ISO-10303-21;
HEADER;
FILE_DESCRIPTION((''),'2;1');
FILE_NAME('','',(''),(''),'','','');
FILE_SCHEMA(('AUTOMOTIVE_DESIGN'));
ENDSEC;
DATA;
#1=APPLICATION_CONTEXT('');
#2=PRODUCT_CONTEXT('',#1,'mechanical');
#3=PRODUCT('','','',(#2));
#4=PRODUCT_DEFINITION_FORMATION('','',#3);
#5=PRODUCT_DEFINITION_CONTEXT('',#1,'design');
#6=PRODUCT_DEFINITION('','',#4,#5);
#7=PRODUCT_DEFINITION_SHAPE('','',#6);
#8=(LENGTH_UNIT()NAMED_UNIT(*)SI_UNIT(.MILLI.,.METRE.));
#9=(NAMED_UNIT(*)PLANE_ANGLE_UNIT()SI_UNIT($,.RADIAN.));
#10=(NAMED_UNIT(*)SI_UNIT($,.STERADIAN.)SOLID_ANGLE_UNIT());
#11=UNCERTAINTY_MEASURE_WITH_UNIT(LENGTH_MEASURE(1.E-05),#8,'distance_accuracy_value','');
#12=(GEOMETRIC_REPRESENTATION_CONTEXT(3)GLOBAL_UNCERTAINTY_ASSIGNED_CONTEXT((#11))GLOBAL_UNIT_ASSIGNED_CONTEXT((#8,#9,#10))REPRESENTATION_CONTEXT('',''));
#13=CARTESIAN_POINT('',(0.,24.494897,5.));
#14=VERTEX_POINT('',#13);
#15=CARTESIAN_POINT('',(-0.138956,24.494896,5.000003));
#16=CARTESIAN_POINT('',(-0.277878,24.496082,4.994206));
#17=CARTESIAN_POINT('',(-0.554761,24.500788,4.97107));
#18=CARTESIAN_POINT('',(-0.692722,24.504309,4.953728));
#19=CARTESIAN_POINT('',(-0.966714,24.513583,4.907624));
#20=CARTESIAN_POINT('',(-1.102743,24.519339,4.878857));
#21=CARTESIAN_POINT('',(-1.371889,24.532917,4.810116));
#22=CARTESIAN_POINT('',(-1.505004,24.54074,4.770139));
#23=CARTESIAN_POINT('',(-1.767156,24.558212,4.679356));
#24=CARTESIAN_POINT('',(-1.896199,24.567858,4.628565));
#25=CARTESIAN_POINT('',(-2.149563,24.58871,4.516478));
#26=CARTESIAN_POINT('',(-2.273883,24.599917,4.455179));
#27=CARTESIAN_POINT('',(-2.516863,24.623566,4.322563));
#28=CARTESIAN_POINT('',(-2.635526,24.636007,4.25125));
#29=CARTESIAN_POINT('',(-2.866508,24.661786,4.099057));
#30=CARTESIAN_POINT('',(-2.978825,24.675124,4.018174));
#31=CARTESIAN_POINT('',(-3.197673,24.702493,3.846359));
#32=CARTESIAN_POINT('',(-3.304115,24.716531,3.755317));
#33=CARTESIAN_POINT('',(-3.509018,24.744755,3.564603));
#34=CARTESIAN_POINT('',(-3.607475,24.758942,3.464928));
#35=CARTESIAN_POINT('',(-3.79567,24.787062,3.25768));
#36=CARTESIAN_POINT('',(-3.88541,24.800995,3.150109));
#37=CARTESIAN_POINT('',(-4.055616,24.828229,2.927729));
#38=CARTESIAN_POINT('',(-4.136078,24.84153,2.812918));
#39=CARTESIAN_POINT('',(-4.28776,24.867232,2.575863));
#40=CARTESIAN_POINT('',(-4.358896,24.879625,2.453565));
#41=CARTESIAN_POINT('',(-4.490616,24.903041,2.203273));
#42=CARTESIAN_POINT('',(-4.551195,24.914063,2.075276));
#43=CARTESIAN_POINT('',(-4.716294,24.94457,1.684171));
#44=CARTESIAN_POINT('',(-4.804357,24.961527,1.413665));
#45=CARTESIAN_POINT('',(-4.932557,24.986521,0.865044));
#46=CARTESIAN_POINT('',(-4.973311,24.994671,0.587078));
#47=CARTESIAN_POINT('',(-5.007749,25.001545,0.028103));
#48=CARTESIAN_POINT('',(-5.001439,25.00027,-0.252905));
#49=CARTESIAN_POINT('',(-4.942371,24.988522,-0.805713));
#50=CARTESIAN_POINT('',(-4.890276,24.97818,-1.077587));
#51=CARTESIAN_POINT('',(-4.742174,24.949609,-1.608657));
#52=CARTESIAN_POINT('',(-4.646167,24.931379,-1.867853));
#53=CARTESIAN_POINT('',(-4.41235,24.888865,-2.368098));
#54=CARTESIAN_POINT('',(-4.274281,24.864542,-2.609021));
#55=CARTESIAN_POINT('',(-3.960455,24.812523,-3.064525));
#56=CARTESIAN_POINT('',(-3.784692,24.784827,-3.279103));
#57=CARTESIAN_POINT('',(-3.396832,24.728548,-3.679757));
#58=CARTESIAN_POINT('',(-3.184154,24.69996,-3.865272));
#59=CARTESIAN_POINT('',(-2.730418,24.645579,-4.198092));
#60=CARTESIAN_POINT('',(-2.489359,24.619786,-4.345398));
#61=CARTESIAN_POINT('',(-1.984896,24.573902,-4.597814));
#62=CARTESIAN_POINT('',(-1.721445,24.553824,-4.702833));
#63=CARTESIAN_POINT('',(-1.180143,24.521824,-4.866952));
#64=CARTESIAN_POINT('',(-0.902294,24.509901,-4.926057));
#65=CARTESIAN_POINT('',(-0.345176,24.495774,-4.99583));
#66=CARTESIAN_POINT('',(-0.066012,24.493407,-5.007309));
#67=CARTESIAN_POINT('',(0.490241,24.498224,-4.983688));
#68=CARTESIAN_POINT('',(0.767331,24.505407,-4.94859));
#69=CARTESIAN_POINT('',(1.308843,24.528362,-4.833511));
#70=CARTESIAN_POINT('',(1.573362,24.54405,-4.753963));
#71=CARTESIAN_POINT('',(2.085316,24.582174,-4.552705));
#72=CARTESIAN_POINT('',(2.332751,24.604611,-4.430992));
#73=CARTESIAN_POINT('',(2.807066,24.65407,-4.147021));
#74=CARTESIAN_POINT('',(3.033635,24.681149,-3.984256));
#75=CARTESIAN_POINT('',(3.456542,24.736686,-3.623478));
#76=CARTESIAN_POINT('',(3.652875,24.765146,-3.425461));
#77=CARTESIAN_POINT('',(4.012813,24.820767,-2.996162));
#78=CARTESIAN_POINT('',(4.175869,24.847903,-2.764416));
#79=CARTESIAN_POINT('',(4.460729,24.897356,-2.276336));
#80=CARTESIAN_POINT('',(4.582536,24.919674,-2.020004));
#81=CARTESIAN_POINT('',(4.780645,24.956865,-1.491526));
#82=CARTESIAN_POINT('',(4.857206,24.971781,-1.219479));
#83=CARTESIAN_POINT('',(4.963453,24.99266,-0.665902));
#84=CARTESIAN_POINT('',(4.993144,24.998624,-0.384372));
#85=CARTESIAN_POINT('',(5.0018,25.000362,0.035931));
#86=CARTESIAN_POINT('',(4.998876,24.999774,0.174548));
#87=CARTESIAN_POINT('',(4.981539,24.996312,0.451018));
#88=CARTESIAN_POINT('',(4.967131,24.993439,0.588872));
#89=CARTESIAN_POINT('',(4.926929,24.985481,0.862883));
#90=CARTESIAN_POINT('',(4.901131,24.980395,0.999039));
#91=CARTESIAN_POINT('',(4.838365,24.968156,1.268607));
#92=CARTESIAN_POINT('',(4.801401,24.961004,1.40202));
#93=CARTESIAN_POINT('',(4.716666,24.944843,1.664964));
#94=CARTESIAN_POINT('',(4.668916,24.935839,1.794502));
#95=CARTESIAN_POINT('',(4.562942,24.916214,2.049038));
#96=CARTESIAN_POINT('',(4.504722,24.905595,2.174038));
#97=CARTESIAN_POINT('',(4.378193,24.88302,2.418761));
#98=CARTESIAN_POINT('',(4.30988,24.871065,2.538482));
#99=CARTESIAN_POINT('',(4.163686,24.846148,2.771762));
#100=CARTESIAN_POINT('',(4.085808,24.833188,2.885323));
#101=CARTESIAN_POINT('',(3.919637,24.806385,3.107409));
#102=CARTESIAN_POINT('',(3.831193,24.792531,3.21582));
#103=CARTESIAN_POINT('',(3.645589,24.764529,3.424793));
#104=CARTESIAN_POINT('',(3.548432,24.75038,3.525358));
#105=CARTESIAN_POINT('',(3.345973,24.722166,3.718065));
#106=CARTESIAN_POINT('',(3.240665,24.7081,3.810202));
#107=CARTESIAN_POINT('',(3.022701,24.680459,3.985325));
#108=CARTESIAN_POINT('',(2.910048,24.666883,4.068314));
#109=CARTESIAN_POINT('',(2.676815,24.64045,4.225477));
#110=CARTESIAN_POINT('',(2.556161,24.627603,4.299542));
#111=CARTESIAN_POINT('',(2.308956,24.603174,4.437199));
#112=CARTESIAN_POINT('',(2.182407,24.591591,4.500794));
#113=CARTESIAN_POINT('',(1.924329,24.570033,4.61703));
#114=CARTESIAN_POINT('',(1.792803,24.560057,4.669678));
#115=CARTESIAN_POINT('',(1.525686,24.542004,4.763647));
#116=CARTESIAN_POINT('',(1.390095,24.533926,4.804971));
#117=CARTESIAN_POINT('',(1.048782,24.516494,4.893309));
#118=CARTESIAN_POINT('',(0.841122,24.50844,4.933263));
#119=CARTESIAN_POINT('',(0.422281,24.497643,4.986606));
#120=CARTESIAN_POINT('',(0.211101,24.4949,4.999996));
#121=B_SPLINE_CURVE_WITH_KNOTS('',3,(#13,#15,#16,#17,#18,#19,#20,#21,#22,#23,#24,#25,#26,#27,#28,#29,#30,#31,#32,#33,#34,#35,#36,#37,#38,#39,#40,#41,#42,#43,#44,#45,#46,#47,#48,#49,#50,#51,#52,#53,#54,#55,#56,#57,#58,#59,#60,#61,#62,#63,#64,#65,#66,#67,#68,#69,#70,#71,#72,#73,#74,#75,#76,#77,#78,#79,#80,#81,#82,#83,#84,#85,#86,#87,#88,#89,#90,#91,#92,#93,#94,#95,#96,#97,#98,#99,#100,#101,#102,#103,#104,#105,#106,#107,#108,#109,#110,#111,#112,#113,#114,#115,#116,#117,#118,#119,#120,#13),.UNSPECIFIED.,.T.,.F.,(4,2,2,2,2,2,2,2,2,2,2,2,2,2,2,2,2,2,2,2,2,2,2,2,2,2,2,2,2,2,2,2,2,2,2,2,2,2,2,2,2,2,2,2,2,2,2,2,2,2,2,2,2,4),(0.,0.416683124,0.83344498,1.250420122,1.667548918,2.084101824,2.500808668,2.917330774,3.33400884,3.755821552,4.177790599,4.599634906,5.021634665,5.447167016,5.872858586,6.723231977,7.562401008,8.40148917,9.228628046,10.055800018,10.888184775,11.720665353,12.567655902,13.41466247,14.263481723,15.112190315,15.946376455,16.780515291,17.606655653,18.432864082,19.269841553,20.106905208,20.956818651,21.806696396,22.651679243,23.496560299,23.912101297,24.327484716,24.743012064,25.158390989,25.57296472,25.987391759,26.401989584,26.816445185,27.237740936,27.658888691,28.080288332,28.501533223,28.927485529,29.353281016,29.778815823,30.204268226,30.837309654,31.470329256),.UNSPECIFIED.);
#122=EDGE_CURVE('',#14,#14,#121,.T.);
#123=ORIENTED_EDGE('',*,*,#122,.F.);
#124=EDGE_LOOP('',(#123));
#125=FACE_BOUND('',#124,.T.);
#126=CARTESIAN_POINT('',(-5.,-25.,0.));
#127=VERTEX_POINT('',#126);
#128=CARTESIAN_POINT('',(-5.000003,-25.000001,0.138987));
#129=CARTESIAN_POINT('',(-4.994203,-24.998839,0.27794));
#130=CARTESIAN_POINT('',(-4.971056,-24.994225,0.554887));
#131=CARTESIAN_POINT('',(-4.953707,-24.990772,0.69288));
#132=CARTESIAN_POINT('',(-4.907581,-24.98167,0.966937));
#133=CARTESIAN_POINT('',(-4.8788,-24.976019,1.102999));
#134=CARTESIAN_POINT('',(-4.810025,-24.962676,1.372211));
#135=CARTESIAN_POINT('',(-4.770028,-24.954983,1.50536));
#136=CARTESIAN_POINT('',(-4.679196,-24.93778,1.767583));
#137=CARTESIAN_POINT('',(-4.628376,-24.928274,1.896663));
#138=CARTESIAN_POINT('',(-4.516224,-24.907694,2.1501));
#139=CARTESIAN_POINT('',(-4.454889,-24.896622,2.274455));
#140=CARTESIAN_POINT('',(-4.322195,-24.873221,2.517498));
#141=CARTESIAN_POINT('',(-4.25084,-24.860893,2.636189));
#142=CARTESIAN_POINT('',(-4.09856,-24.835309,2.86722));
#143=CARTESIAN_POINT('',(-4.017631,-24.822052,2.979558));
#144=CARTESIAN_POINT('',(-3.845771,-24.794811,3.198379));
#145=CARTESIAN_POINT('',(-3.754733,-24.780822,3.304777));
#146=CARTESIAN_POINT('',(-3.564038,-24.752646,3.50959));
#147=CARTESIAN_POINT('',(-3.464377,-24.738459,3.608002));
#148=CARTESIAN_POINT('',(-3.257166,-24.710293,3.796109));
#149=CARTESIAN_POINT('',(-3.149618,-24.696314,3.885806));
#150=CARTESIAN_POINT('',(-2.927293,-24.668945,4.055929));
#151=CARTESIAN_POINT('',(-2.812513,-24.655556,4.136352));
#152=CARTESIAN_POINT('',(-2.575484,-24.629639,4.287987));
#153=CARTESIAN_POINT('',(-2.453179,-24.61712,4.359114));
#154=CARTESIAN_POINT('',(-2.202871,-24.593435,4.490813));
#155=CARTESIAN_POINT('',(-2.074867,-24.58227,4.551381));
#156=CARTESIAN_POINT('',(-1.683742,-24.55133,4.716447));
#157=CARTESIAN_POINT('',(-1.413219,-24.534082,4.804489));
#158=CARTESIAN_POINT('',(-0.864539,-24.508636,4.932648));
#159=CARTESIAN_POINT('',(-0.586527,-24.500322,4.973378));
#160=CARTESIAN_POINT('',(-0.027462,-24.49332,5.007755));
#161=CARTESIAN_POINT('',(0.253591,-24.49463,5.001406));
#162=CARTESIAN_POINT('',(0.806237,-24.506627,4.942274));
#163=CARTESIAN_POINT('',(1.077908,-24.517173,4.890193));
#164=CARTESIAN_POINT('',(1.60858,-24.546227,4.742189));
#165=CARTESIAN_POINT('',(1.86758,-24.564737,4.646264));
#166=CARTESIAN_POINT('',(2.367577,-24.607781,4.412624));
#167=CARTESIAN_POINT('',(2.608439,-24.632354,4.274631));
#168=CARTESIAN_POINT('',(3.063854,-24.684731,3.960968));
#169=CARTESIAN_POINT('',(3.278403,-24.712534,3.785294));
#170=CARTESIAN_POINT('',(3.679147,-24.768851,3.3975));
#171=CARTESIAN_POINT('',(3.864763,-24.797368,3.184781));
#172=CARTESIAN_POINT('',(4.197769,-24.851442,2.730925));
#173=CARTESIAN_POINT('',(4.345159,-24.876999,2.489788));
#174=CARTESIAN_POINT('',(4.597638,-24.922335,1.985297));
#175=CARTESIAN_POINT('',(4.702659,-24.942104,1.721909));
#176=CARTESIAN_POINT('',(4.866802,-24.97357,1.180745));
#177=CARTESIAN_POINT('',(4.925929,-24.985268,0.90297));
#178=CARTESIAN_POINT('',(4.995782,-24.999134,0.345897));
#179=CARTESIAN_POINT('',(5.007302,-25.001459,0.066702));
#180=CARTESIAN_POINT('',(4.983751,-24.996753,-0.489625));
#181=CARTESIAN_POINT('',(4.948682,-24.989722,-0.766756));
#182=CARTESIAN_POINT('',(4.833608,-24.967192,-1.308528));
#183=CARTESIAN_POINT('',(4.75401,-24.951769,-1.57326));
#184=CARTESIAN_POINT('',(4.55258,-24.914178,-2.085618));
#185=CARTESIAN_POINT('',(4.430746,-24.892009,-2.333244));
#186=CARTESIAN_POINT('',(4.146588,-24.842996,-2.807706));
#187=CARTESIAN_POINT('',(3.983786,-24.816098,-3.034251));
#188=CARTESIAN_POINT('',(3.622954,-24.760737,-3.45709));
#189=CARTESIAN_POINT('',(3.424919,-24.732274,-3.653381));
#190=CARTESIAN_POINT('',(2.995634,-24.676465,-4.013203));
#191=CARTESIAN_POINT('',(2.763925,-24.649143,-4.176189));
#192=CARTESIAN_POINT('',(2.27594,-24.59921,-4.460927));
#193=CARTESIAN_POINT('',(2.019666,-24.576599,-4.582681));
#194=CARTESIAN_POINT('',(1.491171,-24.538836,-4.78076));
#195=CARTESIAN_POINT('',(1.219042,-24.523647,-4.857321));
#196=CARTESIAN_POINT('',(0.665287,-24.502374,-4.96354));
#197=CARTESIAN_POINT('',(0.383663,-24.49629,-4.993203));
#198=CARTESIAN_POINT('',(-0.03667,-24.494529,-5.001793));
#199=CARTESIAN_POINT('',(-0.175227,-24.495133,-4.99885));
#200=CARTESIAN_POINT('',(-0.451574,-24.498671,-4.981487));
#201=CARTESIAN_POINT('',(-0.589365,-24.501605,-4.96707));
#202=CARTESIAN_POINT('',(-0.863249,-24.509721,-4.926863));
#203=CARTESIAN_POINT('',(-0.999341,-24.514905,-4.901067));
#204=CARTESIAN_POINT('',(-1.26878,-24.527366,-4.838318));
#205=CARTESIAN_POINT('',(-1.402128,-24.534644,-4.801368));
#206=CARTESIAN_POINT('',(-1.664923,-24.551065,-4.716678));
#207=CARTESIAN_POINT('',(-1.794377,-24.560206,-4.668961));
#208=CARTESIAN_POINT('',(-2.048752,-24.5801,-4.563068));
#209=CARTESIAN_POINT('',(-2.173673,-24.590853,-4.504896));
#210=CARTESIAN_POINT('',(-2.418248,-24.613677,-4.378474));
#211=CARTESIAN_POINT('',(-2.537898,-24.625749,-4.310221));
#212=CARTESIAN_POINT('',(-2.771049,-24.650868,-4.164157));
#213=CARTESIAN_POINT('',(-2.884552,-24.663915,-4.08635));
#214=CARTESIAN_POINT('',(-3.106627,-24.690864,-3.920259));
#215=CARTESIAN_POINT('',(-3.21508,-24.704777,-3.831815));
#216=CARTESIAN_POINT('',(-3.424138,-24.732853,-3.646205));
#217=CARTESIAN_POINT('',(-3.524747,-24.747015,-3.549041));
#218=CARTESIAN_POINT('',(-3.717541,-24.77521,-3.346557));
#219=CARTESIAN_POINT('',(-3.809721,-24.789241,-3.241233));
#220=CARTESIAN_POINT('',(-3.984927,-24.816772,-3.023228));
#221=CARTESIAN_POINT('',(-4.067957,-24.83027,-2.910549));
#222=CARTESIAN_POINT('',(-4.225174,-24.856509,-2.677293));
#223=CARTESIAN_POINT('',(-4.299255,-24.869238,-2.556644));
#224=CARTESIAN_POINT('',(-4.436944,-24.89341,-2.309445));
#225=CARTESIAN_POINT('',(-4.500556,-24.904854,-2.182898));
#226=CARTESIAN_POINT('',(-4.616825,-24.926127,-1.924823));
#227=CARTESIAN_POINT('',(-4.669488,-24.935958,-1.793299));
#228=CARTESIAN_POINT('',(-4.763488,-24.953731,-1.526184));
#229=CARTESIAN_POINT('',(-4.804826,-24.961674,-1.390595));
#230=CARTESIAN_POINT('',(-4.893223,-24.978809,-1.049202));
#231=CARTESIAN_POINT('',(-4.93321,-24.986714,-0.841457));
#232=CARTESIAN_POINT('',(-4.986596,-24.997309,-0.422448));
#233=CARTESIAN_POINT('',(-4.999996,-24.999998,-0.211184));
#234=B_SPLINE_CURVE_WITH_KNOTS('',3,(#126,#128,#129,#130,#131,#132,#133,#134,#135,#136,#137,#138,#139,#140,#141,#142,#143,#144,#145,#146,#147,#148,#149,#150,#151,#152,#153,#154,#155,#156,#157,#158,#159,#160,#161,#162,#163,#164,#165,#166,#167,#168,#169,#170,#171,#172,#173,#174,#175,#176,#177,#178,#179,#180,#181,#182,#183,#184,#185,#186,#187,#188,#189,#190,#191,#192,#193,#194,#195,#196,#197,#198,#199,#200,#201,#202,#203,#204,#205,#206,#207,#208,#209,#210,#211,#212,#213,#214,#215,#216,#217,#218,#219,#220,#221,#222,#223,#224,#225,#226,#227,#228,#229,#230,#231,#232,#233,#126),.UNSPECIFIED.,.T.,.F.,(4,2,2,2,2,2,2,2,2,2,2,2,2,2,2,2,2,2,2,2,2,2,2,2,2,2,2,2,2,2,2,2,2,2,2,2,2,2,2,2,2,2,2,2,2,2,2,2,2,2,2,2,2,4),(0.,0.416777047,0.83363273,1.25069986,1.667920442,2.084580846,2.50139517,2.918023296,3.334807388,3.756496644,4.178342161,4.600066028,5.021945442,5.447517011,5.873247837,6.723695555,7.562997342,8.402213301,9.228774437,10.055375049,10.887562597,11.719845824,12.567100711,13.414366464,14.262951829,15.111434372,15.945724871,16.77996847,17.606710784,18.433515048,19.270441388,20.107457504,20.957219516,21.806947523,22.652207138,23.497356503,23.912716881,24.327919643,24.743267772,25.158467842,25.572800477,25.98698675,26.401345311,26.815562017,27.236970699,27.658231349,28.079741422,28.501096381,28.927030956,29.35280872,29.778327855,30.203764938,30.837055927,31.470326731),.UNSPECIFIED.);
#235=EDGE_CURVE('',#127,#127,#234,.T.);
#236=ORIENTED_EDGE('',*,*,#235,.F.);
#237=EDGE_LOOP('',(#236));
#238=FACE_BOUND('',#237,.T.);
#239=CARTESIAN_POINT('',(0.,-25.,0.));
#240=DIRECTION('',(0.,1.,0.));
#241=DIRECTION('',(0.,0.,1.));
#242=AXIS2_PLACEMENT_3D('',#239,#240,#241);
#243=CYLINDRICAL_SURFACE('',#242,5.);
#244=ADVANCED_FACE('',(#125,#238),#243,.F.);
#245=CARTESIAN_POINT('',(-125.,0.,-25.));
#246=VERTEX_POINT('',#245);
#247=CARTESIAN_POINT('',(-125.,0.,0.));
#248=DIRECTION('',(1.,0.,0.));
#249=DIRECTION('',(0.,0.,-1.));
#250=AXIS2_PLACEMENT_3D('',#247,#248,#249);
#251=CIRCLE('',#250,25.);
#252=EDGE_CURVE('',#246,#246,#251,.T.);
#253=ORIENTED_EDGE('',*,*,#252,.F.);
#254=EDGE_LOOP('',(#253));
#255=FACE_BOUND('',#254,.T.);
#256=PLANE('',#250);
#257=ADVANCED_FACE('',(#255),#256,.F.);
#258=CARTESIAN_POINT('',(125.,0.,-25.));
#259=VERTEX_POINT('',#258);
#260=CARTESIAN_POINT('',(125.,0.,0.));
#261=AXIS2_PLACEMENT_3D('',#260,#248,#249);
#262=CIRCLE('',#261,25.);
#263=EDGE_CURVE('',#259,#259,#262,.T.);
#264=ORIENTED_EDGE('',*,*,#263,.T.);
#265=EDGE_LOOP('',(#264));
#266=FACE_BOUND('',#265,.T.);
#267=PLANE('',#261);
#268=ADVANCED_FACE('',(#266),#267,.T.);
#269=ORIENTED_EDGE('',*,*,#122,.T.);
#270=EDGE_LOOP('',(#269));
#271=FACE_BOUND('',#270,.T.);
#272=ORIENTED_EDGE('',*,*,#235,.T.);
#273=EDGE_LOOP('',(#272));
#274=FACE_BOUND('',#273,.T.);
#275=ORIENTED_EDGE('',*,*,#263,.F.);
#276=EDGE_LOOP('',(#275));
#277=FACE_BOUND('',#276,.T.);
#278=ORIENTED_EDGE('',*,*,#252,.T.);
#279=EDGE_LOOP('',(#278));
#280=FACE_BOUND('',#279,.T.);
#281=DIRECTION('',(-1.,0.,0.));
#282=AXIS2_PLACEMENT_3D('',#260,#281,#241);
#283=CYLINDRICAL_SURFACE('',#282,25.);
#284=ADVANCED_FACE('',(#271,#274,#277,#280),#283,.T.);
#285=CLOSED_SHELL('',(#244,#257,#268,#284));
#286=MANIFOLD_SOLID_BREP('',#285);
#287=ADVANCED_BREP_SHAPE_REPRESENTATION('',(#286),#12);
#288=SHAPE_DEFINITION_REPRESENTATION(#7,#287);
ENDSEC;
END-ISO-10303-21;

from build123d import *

# Parameters (mm, degrees)
SKETCH1_R               = 25
BOSS_EXTRUDE1_DEPTH     = 125
CUT_EXTRUDE1_DEPTH      = 130.903810568
CUT_EXTRUDE1_DEPTH_BACK = 130.903810568
SKETCH2_R               = 5


with BuildPart() as part:
    # Sketch1 → Boss-Extrude1 (new, symmetric)
    with BuildSketch(Plane(origin=(0, 0, 0), x_dir=(0, 0, -1), z_dir=(1, 0, 0))):
        Circle(SKETCH1_R)
    extrude(amount=BOSS_EXTRUDE1_DEPTH, both=True)

    # Sketch2 → Cut-Extrude1 (cut, two sides: drawn at the far end of the back side and taken through both)
    with BuildSketch(Plane(origin=(0, 0, 0), x_dir=(1, 0, 0), z_dir=(0, 1, 0)).offset(-CUT_EXTRUDE1_DEPTH_BACK)):
        with Locations(Location((0, 0, 0), (0, 0, 270))):
            Circle(SKETCH2_R)
    extrude(amount=CUT_EXTRUDE1_DEPTH + CUT_EXTRUDE1_DEPTH_BACK, mode=Mode.SUBTRACT)


solid = part.part
